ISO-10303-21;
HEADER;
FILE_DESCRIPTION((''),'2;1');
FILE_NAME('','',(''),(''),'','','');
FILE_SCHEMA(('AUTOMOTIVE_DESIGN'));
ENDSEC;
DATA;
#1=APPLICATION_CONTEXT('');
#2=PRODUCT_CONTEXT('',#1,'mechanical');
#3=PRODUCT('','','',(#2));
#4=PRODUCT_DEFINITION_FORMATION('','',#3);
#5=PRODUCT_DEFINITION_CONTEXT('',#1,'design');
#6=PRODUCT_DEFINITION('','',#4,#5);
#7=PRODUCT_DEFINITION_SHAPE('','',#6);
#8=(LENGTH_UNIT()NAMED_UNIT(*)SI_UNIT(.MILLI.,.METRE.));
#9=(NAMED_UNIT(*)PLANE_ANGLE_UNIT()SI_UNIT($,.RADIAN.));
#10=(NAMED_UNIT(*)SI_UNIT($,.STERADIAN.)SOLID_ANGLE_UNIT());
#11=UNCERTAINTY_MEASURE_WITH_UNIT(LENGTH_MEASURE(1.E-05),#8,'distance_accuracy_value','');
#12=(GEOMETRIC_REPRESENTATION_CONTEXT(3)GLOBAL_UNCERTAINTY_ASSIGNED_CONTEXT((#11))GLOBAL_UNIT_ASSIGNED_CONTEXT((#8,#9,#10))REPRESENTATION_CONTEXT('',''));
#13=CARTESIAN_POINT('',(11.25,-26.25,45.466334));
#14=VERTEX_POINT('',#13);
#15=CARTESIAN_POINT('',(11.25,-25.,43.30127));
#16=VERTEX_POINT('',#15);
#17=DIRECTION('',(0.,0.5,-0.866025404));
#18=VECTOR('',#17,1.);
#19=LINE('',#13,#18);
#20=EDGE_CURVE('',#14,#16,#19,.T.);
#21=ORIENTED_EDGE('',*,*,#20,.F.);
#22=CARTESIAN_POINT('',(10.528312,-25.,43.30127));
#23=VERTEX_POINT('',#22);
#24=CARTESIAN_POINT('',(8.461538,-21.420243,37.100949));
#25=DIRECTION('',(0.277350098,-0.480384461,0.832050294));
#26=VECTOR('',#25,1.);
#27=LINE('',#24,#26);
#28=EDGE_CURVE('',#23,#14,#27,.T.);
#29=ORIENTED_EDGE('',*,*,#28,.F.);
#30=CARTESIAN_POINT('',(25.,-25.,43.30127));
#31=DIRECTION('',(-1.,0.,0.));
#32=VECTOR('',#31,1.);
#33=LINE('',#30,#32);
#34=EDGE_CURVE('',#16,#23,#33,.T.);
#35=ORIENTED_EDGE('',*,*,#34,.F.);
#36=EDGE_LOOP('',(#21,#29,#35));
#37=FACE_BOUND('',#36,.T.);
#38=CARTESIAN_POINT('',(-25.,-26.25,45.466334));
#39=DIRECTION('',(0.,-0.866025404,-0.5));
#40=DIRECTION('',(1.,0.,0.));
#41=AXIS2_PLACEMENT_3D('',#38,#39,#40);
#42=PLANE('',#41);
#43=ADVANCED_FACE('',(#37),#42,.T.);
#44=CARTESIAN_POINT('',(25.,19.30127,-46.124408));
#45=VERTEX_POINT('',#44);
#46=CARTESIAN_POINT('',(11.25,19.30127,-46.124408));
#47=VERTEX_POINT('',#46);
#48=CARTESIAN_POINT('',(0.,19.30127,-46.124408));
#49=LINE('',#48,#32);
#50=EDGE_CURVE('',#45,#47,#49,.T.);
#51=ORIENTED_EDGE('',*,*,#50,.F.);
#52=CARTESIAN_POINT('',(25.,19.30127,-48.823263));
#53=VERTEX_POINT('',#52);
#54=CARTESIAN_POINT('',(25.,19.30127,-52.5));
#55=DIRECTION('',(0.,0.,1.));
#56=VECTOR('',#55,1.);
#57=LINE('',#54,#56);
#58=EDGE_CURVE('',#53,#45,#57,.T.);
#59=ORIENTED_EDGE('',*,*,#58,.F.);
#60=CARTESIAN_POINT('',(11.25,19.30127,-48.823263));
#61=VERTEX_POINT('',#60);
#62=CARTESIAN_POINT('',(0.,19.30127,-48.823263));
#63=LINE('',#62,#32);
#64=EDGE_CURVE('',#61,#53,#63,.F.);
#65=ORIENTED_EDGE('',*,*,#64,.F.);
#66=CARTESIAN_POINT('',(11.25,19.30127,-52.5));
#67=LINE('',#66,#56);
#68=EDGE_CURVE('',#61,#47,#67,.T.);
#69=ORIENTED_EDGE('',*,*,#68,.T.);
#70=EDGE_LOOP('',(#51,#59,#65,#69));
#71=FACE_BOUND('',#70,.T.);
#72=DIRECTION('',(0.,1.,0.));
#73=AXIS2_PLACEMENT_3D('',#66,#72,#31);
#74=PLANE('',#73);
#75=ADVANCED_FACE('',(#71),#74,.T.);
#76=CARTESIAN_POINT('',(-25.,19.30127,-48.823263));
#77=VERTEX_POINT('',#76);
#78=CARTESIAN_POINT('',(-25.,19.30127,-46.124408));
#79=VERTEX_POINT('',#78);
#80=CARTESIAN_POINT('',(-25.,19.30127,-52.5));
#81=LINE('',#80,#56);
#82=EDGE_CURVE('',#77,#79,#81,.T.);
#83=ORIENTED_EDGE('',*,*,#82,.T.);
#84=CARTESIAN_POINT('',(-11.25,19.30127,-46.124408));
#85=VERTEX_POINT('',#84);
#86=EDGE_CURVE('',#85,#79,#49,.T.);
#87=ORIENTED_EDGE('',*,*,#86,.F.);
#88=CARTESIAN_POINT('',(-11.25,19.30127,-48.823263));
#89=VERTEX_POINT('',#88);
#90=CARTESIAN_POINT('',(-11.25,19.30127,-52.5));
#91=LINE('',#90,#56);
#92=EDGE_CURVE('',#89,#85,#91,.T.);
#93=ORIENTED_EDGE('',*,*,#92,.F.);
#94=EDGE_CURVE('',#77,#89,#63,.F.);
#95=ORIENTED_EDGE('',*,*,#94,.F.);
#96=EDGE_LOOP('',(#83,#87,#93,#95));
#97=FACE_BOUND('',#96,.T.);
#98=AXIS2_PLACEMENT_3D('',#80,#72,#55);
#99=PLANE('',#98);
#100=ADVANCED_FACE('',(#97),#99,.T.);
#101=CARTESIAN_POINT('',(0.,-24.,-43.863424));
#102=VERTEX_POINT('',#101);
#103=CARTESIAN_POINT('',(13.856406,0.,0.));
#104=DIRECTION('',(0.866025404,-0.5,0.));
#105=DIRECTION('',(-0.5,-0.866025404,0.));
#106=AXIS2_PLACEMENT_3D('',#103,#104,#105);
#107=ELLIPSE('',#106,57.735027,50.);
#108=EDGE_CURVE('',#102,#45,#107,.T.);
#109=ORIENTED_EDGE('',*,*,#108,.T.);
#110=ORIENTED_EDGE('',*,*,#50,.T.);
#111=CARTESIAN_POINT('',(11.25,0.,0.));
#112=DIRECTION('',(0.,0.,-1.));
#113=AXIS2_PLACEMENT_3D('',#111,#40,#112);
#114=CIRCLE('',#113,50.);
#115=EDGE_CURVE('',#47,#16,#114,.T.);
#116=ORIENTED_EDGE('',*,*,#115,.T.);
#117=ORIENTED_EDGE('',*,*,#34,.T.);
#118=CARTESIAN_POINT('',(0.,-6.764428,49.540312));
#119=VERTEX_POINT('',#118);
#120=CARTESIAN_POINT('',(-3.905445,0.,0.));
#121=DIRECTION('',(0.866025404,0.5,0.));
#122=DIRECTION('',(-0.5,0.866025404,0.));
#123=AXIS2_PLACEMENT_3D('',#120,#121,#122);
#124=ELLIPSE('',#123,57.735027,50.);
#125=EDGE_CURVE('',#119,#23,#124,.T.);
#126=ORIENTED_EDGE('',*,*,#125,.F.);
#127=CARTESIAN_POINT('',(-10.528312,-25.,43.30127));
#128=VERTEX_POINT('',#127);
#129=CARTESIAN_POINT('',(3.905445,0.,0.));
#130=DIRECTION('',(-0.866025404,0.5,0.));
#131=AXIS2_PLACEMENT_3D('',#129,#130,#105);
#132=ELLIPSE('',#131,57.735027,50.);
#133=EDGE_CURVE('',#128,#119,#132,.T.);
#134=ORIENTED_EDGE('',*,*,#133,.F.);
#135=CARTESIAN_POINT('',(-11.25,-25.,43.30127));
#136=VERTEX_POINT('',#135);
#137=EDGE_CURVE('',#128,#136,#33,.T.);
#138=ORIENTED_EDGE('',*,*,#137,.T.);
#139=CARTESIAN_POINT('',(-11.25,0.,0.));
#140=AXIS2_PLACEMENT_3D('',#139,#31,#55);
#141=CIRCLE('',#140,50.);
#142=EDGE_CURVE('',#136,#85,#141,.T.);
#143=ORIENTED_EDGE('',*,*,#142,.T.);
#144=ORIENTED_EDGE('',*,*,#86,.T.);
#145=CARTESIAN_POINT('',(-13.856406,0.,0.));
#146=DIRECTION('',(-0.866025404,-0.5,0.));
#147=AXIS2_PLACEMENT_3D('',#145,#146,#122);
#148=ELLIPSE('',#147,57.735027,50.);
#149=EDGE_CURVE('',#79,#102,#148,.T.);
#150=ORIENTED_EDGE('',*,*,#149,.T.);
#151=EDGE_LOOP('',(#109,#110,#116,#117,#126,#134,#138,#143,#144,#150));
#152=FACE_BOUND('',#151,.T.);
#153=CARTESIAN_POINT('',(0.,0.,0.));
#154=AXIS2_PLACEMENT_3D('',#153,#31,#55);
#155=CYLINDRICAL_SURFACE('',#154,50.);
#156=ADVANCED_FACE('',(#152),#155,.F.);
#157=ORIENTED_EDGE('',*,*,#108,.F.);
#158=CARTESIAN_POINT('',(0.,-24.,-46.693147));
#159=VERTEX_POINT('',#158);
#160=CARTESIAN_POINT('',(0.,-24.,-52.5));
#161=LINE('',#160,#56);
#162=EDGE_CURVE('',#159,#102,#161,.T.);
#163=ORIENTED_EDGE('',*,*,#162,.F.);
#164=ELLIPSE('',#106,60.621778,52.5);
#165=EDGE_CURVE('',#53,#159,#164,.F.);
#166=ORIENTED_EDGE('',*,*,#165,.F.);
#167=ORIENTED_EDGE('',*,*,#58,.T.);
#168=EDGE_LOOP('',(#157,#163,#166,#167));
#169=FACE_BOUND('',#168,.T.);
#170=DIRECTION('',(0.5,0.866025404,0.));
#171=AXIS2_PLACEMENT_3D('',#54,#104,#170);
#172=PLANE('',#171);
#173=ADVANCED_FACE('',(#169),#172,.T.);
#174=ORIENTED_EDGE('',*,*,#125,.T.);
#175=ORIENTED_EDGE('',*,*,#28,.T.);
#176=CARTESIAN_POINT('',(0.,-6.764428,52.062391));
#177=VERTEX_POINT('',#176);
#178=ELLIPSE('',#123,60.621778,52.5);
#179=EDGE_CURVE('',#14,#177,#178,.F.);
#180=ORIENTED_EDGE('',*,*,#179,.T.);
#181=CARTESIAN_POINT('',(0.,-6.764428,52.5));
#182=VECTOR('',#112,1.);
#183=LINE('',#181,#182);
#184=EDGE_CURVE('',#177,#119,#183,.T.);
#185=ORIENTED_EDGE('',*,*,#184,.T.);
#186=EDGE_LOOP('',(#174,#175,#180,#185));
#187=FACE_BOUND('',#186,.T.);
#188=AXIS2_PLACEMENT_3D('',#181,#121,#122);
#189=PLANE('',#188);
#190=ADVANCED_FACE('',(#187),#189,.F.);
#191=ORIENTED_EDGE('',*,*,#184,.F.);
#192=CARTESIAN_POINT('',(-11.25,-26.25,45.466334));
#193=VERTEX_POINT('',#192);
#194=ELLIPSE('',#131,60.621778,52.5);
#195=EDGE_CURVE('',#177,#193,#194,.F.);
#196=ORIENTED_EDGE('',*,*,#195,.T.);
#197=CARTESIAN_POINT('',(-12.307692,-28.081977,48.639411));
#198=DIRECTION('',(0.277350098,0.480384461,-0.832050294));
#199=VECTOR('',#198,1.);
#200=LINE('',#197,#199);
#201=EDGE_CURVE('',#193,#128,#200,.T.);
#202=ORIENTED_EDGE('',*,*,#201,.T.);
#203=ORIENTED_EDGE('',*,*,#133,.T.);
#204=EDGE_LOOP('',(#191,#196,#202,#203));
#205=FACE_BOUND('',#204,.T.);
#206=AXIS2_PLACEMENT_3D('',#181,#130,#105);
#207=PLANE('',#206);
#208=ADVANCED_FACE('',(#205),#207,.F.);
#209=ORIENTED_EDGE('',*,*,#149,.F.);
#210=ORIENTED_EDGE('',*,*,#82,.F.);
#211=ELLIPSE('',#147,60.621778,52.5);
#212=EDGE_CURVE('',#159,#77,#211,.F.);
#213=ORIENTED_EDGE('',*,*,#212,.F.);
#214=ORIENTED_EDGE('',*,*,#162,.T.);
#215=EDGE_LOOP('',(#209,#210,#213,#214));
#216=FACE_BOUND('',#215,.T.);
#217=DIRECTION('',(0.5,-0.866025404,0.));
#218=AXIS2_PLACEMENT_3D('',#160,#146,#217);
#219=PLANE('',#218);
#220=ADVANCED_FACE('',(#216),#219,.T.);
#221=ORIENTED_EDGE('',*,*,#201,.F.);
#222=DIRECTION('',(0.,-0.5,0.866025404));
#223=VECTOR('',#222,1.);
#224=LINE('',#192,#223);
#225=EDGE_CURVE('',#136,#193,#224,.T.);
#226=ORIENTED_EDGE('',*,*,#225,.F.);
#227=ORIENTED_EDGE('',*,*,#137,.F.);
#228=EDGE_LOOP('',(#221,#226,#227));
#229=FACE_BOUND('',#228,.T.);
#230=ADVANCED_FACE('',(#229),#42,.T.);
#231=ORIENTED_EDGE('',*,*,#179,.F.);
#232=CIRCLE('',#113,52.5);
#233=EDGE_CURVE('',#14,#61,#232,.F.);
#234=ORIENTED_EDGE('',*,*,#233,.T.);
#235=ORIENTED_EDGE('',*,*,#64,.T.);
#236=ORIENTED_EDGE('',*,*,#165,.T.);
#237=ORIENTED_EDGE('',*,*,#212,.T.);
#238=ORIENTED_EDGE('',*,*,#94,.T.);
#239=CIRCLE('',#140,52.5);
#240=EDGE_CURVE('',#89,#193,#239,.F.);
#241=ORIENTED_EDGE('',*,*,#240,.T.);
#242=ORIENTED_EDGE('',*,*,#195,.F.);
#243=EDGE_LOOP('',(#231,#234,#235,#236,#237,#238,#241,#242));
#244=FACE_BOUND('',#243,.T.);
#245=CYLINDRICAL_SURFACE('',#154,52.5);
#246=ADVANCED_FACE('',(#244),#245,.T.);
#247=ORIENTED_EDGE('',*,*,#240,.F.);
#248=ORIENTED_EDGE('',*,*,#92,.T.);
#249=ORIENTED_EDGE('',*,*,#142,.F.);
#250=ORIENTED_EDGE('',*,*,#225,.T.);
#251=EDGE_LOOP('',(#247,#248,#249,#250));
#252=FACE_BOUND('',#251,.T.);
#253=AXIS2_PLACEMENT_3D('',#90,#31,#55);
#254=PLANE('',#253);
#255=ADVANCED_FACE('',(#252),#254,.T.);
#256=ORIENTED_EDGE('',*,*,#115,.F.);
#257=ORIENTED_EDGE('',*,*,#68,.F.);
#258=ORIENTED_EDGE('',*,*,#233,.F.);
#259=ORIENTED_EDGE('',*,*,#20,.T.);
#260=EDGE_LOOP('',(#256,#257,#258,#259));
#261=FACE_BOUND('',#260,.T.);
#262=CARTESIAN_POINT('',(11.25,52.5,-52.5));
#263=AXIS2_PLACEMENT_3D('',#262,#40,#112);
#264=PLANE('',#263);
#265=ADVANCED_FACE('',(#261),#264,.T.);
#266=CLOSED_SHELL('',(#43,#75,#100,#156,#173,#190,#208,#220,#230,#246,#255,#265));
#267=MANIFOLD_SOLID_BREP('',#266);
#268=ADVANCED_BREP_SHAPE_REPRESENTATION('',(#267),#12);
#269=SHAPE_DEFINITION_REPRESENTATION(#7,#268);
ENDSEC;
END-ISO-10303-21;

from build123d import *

# Parameters (mm, degrees)
CIRCULARBAND_W               = 50
CIRCULARBAND_H               = 2.5
BASE_REVOLVE_ANGLE           = 120
BASE_REVOLVE_OTHER_WAY_ANGLE = 120
SKETCH9_OUTSIDE_W            = 80.09
SKETCH9_OUTSIDE_H            = 108.84
HEAD1_DEPTH                  = 53.5
SKETCH10_OUTSIDE_W           = 80.09
SKETCH10_OUTSIDE_H           = 108.84
TAIL1_DEPTH                  = 53.5


with BuildPart() as part:
    # circularband → Base-Revolve (revolve)
    with BuildSketch(Plane.XY):
        with Locations((0, 51.25)):
            Rectangle(CIRCULARBAND_W, CIRCULARBAND_H)
    revolve(axis=Axis((0, 0, 0), (1, 0, 0)), revolution_arc=BASE_REVOLVE_ANGLE)

    # circularband → Base-Revolve other way (revolve)
    with BuildSketch(Plane.XY):
        with Locations((0, 51.25)):
            Rectangle(CIRCULARBAND_W, CIRCULARBAND_H)
    revolve(axis=Axis((0, 0, 0), (-1, 0, 0)), revolution_arc=BASE_REVOLVE_OTHER_WAY_ANGLE)

    # Sketch9 outside → head1 (cut, through all)
    with BuildSketch(Plane.XY):
        with Locations((0, 13.125)):
            Rectangle(SKETCH9_OUTSIDE_W, SKETCH9_OUTSIDE_H)
        Polygon((-11.25, 52.5), (11.25, 52.5), (11.25, 19.301270189), (25, 19.301270189), (0, -24), (-25, 19.301270189), (-11.25, 19.301270189), align=None, mode=Mode.SUBTRACT)
    extrude(amount=-HEAD1_DEPTH, mode=Mode.SUBTRACT)

    # Sketch10 outside → tail1 (cut, through all)
    with BuildSketch(Plane.XY):
        with Locations((0, 13.125)):
            Rectangle(SKETCH10_OUTSIDE_W, SKETCH10_OUTSIDE_H)
        Polygon((0, -6.764428415), (11.25, -26.25), (11.25, 52.5), (-11.25, 52.5), (-11.25, -26.25), align=None, mode=Mode.SUBTRACT)
    extrude(amount=TAIL1_DEPTH, mode=Mode.SUBTRACT)


solid = part.part
